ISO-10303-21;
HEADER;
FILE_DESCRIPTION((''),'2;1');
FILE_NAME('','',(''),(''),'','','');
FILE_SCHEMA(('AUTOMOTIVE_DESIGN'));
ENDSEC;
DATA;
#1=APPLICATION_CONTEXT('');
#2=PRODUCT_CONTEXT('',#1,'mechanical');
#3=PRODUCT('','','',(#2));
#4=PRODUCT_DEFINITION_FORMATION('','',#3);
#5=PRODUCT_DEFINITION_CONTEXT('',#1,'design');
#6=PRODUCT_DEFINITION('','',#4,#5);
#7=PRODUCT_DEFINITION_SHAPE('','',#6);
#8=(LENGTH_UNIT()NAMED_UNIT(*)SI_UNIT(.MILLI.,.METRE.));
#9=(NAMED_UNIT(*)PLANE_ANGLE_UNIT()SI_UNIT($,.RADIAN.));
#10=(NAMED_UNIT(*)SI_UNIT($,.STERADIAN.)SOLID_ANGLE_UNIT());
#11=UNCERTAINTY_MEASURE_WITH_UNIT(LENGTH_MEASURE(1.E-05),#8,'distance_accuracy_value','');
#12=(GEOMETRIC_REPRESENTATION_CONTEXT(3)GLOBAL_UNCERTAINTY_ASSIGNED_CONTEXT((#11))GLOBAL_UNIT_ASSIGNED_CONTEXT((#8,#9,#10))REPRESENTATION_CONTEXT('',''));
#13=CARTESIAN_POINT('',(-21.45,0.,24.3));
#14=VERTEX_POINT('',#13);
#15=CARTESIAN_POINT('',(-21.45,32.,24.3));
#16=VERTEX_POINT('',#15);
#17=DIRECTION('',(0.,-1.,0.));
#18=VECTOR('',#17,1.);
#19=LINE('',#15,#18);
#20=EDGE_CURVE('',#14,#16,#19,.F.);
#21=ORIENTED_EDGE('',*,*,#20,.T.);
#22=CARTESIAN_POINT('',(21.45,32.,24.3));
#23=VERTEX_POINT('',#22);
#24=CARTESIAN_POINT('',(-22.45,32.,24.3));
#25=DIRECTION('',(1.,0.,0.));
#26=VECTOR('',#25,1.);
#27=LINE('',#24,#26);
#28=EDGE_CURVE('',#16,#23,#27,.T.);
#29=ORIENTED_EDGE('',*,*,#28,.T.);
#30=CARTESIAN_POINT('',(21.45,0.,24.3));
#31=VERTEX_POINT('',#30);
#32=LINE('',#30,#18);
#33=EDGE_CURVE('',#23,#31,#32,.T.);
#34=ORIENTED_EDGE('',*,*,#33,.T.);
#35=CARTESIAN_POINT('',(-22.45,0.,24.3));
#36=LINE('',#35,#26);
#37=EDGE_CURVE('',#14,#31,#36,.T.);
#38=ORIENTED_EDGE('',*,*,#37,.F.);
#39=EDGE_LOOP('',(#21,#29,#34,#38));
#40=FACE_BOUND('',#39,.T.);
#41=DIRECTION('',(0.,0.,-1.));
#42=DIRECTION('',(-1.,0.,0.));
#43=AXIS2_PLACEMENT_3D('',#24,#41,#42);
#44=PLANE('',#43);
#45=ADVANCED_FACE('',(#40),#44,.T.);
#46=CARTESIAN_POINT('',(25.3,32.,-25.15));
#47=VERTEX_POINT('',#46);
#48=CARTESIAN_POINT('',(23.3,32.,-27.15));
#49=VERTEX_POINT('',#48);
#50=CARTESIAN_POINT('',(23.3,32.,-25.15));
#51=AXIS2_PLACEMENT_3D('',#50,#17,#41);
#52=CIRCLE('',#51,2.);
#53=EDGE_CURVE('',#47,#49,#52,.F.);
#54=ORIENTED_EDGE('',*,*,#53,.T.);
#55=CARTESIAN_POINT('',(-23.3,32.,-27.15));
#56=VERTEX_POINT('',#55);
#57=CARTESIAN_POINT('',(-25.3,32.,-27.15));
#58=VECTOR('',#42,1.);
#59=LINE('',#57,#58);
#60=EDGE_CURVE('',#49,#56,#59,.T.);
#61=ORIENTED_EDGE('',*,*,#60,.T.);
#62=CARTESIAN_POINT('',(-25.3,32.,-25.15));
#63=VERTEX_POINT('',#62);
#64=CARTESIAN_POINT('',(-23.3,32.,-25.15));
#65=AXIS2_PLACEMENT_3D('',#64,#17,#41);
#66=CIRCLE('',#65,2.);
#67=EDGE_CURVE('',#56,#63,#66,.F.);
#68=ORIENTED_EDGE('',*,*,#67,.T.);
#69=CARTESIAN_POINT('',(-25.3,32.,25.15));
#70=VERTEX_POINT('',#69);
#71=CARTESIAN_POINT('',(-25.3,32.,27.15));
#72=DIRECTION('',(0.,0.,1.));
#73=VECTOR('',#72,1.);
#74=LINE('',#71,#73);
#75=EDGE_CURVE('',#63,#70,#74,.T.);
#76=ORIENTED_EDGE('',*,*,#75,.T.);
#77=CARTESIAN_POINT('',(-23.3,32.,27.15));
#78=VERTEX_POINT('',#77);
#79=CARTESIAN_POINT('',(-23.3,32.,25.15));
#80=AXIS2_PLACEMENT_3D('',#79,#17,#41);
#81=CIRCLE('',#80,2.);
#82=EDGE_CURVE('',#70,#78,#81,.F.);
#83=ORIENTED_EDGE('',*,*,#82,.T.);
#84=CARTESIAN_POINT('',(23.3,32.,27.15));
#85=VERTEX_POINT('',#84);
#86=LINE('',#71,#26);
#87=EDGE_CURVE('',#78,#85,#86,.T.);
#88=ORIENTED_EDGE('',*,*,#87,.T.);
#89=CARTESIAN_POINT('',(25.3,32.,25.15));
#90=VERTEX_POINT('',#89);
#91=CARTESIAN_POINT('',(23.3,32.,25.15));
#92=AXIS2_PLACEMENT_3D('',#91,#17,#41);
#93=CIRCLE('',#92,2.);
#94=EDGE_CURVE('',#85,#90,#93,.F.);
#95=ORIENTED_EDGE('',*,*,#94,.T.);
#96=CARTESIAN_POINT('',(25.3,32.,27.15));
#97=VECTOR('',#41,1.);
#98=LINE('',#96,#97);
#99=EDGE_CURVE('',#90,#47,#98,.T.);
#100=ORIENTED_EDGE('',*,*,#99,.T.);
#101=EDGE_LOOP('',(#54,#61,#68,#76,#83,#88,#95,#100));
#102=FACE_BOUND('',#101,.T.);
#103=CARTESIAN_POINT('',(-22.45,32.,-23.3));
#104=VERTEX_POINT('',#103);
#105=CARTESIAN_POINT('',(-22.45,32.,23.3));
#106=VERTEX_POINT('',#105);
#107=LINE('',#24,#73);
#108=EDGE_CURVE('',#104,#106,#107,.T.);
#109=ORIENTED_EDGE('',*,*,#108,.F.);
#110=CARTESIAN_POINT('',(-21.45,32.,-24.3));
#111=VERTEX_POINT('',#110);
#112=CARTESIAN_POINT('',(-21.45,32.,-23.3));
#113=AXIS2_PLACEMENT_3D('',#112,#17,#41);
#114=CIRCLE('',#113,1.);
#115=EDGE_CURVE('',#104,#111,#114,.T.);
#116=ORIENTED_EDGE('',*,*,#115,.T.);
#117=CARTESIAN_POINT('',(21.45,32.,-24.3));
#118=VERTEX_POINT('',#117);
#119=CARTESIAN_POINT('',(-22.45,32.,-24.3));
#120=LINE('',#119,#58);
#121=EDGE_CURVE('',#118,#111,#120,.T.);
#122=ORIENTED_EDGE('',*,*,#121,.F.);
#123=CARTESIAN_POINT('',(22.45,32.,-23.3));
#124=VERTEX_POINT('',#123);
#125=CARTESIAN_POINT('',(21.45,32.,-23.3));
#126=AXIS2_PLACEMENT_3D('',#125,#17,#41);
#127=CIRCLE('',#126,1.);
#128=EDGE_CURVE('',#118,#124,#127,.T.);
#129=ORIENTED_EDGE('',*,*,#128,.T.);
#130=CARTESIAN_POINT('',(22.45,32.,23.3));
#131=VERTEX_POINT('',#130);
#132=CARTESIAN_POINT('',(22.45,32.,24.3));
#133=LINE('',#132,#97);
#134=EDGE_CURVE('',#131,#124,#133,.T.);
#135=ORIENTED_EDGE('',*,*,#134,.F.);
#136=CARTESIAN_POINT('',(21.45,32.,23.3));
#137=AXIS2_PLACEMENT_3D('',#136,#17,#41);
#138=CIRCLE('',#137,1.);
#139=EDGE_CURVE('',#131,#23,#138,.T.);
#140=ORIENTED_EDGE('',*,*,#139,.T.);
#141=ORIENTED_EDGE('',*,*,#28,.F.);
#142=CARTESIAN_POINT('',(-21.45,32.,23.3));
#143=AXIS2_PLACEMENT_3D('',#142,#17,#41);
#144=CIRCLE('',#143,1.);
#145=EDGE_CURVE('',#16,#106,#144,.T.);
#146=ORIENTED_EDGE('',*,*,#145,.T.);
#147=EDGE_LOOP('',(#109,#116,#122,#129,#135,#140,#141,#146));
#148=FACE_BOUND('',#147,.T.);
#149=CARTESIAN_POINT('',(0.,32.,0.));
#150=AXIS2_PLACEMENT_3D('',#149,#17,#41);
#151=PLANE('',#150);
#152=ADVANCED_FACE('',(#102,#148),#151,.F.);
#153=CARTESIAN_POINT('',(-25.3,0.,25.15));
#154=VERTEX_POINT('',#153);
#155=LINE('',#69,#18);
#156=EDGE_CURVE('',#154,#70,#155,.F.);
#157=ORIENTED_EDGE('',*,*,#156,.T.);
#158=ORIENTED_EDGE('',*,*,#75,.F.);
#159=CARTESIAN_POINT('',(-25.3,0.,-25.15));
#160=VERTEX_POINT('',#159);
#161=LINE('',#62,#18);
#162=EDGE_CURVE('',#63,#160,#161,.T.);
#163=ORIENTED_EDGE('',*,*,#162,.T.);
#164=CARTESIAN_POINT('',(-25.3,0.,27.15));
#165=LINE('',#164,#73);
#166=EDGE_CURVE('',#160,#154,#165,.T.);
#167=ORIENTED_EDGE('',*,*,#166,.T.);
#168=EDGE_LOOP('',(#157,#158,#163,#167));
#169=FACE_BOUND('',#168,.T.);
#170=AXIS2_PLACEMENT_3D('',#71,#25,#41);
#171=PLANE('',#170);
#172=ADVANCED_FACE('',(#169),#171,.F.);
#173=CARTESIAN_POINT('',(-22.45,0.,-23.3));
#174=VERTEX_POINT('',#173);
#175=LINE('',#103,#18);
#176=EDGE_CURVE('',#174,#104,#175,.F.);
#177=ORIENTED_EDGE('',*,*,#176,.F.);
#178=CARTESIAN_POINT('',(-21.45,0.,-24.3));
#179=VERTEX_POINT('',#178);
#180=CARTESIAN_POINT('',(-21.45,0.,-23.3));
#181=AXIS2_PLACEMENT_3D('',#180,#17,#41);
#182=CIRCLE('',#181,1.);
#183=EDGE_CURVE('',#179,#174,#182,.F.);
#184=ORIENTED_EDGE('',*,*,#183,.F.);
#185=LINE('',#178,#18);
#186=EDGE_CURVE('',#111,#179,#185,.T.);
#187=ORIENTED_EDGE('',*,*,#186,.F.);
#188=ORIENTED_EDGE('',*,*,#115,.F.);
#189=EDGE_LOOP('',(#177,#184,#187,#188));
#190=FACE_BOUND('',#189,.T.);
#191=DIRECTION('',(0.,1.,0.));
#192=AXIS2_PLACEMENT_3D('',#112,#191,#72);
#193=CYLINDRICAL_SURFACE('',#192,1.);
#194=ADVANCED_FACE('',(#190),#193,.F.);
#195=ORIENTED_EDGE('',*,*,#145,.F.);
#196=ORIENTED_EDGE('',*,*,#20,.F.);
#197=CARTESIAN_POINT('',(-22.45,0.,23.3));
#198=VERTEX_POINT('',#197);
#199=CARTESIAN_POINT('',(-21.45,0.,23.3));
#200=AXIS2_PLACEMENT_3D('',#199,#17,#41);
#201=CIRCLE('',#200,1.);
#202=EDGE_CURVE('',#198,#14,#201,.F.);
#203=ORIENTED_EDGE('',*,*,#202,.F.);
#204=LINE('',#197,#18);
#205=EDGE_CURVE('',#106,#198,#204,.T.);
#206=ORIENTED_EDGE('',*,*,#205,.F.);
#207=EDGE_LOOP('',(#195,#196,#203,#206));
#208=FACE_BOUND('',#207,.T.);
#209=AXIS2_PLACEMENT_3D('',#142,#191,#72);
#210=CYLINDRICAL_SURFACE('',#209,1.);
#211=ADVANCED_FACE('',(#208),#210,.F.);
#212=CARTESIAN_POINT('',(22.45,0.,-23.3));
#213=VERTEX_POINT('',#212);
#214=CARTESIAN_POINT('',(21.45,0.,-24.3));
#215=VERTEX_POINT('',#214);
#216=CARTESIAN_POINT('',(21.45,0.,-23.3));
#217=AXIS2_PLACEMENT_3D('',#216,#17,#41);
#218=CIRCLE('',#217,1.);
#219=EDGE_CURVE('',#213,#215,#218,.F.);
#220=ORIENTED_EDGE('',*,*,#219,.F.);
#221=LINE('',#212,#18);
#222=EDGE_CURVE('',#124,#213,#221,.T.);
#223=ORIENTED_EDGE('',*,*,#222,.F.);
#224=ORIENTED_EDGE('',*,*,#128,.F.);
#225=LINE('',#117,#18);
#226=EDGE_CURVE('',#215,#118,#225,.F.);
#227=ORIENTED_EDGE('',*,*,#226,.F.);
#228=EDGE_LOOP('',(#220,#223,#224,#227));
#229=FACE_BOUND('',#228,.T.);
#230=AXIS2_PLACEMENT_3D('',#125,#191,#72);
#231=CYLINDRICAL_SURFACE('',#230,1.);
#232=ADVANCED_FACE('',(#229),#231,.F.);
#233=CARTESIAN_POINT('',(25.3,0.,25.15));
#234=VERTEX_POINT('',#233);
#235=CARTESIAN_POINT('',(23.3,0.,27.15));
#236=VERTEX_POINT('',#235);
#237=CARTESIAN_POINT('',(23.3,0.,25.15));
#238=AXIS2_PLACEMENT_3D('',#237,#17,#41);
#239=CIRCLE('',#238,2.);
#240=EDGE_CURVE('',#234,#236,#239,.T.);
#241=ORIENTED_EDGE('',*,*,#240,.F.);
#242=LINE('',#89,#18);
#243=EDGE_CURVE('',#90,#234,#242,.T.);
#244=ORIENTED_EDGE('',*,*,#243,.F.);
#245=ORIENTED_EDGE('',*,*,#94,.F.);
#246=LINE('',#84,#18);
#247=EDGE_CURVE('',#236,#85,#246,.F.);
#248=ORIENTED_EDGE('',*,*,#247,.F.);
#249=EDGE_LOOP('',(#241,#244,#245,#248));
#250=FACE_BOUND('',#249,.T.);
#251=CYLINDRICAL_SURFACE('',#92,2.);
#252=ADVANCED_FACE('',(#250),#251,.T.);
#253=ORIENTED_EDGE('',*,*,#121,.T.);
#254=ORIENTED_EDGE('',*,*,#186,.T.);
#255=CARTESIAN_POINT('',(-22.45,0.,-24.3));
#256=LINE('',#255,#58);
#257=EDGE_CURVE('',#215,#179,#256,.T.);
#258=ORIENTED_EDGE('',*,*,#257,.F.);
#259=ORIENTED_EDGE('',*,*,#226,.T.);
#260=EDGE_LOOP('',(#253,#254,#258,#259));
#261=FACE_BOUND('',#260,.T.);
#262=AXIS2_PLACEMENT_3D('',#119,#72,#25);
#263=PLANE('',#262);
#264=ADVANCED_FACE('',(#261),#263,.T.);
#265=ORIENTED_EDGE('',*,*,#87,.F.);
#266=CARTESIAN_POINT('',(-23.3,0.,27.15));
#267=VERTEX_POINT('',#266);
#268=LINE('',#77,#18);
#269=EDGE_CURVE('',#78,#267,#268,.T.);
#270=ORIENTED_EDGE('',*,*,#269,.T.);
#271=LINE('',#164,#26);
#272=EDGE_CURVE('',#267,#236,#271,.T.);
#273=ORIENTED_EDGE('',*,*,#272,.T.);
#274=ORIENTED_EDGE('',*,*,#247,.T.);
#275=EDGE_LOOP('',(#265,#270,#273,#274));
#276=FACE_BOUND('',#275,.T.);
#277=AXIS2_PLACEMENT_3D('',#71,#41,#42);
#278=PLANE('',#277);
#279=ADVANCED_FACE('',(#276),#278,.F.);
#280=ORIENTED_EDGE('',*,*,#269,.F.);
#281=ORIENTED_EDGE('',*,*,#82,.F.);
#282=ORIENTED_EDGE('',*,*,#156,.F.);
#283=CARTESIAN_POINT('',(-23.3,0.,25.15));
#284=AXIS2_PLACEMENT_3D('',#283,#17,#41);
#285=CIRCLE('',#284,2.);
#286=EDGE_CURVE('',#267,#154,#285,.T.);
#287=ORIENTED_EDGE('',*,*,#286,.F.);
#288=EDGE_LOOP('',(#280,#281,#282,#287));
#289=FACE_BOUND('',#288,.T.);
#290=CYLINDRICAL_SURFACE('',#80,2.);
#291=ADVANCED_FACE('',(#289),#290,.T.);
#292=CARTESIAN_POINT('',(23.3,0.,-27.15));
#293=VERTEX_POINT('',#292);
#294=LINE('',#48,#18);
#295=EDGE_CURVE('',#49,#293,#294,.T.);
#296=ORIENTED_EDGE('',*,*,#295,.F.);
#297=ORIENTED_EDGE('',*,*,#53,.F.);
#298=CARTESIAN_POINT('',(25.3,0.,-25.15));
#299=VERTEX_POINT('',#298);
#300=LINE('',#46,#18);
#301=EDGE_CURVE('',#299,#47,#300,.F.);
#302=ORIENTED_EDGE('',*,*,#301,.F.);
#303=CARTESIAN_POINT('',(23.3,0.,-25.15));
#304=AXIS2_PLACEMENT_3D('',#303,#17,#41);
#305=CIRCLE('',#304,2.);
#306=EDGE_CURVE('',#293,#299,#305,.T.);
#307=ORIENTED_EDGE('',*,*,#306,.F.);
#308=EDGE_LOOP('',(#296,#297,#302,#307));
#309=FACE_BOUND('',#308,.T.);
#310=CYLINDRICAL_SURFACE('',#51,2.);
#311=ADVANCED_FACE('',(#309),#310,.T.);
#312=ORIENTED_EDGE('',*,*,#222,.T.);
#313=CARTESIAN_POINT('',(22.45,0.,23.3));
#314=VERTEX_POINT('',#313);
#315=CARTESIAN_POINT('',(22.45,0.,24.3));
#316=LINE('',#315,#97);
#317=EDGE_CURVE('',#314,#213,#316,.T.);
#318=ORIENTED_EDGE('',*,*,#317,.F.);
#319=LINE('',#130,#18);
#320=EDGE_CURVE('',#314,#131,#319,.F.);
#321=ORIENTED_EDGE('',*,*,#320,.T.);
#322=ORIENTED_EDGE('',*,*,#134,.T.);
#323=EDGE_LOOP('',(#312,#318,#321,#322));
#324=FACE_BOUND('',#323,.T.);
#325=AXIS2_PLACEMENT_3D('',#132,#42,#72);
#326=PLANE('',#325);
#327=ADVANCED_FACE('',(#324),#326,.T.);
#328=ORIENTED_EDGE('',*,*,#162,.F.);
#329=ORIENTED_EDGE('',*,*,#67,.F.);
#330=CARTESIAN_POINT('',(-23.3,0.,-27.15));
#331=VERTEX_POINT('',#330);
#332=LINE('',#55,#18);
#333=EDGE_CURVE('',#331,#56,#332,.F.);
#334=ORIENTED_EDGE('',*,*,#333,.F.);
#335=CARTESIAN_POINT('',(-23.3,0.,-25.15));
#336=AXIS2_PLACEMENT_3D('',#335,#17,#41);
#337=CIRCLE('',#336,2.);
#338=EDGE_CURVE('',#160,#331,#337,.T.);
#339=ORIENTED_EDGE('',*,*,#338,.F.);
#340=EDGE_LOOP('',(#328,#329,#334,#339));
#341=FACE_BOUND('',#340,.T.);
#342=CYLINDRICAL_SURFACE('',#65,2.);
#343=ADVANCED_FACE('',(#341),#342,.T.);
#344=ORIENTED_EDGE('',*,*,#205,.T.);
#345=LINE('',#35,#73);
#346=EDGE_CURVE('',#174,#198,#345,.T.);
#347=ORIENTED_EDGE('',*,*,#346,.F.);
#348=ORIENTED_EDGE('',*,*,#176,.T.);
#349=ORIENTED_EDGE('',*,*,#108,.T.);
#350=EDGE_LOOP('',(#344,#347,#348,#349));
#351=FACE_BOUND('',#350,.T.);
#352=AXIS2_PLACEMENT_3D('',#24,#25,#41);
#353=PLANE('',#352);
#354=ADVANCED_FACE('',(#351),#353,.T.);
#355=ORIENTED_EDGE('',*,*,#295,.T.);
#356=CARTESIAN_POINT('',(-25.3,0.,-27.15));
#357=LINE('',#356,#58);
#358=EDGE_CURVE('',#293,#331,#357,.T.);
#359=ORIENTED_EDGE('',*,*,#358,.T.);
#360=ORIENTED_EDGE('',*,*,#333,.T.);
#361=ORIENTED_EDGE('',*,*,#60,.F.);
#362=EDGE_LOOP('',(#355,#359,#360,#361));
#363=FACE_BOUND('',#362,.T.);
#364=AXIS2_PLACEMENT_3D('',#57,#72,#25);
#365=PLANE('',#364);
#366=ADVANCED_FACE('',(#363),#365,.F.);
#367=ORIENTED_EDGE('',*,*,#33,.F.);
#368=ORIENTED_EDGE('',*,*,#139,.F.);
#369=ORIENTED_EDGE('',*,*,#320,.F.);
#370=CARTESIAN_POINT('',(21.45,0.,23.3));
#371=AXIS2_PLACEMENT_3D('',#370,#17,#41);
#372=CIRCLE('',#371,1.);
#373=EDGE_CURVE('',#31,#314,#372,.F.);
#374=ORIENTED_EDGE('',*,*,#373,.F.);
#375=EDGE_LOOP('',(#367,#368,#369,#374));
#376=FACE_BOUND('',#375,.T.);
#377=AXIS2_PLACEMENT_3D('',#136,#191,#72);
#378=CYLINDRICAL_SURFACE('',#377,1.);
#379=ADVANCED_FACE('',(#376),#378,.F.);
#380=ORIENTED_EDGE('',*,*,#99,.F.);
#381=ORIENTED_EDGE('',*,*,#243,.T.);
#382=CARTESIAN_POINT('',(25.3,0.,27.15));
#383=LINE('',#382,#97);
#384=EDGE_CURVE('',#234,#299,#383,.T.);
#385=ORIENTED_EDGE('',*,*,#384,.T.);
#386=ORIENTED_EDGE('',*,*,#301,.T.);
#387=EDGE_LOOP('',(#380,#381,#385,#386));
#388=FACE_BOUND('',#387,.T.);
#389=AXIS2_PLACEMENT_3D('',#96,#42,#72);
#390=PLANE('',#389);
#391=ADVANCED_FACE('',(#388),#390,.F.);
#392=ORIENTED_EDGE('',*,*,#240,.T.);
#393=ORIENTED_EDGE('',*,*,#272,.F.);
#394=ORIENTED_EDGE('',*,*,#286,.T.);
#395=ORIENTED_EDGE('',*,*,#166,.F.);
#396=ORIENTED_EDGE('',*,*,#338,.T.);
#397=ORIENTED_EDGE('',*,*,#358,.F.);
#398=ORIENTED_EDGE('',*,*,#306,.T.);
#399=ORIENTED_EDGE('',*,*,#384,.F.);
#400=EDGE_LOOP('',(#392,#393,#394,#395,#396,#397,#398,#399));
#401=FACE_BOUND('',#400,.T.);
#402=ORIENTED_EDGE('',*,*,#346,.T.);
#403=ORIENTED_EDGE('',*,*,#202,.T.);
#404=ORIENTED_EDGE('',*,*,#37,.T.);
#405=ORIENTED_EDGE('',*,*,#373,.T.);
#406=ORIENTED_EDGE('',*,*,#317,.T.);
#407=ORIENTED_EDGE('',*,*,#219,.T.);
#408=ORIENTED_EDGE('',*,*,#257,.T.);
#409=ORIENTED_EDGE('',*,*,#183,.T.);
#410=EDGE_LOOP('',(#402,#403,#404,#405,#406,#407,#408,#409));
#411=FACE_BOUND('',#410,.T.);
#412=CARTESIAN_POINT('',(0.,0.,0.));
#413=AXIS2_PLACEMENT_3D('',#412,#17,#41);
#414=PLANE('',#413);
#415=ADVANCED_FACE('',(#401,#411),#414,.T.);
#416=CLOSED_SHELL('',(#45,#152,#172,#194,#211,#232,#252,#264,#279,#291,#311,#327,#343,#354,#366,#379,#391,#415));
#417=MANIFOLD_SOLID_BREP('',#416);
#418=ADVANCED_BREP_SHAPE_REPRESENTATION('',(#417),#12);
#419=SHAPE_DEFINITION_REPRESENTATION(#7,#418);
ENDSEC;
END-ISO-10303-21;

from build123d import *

# Parameters (mm, degrees)
SKETCH3_W           = 50.6
SKETCH3_H           = 54.3
SKETCH3_W_2         = 44.9
SKETCH3_H_2         = 48.6
BOSS_EXTRUDE1_DEPTH = 32
FILLET1_R           = 2
FILLET2_R           = 1


with BuildPart() as part:
    # Sketch3 → Boss-Extrude1 (new body)
    with BuildSketch(Plane(origin=(0, 0, 0), x_dir=(1, 0, 0), z_dir=(0, 1, 0))):
        Rectangle(SKETCH3_W, SKETCH3_H)
        Rectangle(SKETCH3_W_2, SKETCH3_H_2, mode=Mode.SUBTRACT)
    extrude(amount=BOSS_EXTRUDE1_DEPTH)

    # Fillet1
    fillet1_edges = [part.edges().sort_by_distance(p)[0] for p in [
        (25.3, 16, 27.15),
        (-25.3, 16, 27.15),
        (-25.3, 16, -27.15),
        (25.3, 16, -27.15),
    ]]
    fillet(fillet1_edges, radius=FILLET1_R)

    # Fillet2
    fillet2_edges = [part.edges().sort_by_distance(p)[0] for p in [
        (22.45, 16, 24.3),
        (22.45, 16, -24.3),
        (-22.45, 16, -24.3),
        (-22.45, 16, 24.3),
    ]]
    fillet(fillet2_edges, radius=FILLET2_R)


solid = part.part
